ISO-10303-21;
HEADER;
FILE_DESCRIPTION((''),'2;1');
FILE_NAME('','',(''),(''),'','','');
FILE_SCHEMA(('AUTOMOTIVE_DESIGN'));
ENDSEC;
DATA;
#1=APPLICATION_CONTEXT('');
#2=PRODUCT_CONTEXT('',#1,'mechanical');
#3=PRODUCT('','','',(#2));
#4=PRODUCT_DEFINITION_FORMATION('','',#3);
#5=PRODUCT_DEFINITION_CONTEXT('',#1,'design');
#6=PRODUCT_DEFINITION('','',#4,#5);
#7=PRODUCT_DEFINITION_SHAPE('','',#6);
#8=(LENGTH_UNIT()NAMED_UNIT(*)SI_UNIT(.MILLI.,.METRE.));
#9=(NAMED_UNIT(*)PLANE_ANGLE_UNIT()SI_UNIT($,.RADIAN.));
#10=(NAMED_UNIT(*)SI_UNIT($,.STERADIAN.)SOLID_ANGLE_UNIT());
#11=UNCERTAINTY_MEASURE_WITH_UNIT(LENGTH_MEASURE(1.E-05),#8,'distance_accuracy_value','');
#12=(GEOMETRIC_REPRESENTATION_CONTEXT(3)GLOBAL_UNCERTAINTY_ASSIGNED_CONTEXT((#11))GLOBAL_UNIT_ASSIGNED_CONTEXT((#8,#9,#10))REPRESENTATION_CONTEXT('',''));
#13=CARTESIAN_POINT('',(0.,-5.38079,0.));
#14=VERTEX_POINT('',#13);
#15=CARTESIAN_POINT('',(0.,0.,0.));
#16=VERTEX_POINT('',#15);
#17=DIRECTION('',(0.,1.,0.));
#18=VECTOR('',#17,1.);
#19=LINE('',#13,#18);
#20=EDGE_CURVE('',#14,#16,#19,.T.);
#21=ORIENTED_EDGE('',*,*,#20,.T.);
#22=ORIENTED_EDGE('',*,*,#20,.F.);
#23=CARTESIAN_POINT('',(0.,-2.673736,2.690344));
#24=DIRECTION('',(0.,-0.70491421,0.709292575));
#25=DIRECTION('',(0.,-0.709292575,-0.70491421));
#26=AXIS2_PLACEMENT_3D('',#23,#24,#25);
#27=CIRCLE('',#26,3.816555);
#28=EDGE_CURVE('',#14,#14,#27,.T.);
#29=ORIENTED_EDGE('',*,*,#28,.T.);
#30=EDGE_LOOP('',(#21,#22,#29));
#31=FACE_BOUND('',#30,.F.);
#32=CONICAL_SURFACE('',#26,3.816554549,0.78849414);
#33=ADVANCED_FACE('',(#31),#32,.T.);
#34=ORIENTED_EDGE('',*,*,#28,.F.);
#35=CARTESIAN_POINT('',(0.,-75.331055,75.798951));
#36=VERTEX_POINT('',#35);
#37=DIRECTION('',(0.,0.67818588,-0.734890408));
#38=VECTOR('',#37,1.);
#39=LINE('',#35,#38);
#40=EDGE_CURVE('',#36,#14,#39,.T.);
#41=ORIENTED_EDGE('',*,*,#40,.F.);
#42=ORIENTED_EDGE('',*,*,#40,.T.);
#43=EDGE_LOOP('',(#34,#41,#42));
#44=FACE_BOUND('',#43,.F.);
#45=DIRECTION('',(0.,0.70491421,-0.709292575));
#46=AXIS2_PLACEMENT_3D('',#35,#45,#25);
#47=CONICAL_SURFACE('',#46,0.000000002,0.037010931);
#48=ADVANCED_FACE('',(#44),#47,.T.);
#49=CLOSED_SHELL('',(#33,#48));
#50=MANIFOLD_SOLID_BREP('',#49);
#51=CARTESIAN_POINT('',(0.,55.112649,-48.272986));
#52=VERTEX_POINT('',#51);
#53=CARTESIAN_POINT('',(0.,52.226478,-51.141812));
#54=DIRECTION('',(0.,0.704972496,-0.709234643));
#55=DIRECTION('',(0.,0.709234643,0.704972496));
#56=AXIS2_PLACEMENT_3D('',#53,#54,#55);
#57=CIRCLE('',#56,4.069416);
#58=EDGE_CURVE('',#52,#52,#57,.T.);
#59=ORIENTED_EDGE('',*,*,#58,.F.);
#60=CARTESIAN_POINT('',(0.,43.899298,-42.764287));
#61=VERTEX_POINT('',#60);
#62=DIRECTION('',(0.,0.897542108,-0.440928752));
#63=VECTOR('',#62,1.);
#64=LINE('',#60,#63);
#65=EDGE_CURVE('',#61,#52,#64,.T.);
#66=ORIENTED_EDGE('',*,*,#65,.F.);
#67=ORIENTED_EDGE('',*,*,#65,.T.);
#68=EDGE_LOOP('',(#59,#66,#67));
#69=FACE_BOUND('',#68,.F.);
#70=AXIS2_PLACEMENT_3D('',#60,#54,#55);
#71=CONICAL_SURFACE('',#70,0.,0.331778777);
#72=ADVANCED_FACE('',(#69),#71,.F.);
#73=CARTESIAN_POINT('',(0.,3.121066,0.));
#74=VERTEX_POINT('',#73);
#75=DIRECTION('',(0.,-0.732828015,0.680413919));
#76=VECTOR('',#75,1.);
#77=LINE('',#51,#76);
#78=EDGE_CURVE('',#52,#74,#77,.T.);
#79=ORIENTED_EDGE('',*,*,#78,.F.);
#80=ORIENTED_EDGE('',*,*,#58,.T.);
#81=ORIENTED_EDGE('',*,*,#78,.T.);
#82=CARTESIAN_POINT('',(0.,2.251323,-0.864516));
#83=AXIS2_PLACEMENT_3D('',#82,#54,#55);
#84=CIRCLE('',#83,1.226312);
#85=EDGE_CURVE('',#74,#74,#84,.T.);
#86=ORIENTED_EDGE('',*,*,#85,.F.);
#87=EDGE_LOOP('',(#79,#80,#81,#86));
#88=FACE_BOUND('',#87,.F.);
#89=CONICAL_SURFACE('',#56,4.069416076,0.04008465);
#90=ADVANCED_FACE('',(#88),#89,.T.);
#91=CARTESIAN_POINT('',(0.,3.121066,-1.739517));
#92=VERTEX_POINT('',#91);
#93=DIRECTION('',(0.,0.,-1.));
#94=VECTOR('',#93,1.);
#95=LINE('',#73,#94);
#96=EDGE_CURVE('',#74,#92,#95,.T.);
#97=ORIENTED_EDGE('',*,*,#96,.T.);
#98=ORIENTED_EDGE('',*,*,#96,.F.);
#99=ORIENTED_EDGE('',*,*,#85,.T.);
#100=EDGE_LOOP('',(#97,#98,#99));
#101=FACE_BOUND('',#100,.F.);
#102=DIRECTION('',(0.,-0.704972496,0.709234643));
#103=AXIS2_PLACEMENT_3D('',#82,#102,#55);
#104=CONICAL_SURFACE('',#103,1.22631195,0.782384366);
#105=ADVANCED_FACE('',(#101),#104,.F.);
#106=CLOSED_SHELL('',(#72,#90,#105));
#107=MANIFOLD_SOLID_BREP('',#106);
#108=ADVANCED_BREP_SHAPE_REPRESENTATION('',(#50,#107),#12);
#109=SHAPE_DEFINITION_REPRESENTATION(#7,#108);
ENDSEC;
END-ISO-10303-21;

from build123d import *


with BuildPart() as f1:
    # F0 (on Right) → F1 (revolve)
    with BuildSketch(Plane.YZ):
        Polygon((-5.380790215, 0), (0, 0), (-75.3310546279, 75.7989510894), align=None)
    revolve(axis=Axis((0, -37.6655273139, 37.8994755447), (0, -0.7049142098, 0.7092925749)))


with BuildPart() as f3:
    # F2 (on Right) → F3 (revolve)
    with BuildSketch(Plane.YZ):
        Polygon((55.1126487553, -48.272985965), (3.12106614, 0), (3.12106614, -1.7395174364), (43.8992977142, -42.764287442), align=None)
    revolve(axis=Axis((0, 23.5101819271, -22.2519024392), (0, 0.7049724964, -0.7092346433)))


solid = Compound([f1.part, f3.part])
